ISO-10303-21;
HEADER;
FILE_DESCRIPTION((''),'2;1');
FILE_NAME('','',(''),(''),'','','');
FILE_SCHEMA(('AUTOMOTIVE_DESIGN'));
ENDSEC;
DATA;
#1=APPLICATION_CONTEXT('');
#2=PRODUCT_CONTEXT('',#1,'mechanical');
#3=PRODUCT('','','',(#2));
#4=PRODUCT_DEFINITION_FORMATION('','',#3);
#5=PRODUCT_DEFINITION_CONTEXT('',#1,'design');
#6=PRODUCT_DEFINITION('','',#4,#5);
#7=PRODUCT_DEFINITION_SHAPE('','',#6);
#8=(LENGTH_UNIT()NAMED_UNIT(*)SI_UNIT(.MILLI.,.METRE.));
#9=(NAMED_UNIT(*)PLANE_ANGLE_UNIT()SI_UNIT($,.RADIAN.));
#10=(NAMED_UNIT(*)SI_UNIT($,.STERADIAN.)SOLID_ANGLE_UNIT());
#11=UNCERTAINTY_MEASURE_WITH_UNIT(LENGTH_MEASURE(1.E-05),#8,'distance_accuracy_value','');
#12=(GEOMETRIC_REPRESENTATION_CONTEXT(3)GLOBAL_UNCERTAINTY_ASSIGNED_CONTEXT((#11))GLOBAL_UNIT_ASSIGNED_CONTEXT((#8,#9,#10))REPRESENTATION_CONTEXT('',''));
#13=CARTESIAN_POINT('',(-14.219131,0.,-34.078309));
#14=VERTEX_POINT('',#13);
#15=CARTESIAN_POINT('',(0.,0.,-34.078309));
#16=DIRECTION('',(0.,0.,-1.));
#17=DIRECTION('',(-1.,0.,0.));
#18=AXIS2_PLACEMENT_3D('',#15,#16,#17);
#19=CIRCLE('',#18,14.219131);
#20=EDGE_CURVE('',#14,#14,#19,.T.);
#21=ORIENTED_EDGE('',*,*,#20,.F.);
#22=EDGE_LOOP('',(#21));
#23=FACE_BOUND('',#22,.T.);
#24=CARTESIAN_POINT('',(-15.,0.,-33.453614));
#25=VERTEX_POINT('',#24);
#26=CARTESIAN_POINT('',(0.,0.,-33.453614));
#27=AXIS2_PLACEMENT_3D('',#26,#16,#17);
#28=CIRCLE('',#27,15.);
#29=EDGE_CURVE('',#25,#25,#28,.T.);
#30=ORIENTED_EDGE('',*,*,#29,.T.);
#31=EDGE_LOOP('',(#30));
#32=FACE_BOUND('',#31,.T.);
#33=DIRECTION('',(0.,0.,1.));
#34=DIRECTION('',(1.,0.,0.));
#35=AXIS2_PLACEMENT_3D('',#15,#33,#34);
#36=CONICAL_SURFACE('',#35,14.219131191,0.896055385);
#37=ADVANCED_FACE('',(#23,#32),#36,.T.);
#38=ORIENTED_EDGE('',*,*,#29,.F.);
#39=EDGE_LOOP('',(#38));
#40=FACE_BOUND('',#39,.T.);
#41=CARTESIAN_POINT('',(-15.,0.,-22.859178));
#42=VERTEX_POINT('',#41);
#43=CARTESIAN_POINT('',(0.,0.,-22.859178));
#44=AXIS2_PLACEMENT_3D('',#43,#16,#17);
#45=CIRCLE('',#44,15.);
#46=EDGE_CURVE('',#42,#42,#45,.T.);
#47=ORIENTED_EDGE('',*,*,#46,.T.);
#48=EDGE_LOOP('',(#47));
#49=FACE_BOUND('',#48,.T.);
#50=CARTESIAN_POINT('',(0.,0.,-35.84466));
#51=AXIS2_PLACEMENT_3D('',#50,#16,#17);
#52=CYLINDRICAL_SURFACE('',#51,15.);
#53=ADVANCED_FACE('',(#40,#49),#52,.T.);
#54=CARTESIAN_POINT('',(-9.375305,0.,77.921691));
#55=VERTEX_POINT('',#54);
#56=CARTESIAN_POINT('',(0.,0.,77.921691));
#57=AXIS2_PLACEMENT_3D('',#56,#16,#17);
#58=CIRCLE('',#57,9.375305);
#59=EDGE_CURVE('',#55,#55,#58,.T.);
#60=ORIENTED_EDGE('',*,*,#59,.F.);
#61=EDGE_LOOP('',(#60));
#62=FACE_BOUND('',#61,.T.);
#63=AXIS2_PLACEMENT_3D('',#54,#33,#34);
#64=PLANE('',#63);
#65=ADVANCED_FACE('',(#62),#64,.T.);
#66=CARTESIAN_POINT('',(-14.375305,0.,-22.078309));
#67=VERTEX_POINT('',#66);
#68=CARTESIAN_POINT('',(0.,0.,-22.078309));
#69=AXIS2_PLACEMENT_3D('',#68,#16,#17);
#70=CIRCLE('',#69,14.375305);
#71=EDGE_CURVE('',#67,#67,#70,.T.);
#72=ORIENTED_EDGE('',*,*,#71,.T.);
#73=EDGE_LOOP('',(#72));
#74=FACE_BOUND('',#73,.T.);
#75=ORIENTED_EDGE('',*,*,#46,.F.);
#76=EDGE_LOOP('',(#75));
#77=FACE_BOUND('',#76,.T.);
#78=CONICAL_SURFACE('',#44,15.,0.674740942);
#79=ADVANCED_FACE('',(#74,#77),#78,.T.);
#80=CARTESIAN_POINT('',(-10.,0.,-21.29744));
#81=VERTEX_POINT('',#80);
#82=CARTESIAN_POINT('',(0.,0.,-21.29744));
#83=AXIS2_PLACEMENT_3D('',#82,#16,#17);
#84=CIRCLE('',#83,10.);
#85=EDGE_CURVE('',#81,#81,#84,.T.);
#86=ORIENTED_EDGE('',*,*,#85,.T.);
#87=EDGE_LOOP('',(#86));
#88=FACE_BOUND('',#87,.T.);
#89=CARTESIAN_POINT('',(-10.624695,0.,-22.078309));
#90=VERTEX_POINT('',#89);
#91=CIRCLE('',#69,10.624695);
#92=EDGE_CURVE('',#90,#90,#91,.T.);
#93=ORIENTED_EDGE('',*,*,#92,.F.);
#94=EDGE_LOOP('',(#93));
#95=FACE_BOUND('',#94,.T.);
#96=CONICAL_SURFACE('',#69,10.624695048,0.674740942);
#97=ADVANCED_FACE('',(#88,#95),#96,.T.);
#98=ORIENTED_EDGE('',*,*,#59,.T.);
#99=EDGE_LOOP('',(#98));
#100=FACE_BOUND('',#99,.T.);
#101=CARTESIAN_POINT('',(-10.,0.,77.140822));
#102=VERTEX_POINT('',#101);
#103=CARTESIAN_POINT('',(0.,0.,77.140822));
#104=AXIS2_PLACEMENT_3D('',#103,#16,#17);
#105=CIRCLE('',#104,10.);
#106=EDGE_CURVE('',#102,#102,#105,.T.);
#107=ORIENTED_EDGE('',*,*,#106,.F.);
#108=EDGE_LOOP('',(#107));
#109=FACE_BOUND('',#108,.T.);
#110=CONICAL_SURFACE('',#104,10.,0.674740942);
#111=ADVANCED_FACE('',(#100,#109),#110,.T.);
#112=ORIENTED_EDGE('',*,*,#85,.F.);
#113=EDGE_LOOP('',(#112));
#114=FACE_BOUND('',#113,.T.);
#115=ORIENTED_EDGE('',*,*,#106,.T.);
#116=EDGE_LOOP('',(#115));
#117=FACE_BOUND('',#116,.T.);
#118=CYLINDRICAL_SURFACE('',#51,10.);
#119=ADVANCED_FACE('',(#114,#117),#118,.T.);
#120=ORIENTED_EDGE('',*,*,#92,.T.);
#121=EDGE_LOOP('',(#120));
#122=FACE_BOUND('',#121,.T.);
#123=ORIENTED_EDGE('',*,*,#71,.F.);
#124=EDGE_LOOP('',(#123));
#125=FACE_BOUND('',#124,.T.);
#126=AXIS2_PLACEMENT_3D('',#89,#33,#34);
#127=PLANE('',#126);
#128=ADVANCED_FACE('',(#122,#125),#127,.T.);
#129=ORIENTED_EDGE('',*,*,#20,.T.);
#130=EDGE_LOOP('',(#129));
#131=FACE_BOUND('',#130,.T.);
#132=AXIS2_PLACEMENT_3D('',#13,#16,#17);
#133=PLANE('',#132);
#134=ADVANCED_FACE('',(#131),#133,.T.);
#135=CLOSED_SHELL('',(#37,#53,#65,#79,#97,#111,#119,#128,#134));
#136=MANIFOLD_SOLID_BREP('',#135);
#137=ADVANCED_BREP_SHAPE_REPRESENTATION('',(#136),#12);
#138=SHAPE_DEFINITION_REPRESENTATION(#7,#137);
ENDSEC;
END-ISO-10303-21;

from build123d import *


with BuildPart() as part:
    # Sketch1 → Revolve1 (revolve)
    with BuildSketch(Plane(origin=(0, 0, 0), x_dir=(1, 0, 0), z_dir=(0, 1, 0))):
        Polygon((-10, 21.297440492), (-10, -77.140821889), (-9.375304952, -77.921690698), (0, -77.921690698), (0, 34.078309302), (-14.219131191, 34.078309302), (-15, 33.453614254), (-15, 22.859178111), (-14.375304952, 22.078309302), (-10.624695048, 22.078309302), align=None)
    revolve(axis=Axis((0, 0, -35.844660194), (0, 0, 1)))


solid = part.part
